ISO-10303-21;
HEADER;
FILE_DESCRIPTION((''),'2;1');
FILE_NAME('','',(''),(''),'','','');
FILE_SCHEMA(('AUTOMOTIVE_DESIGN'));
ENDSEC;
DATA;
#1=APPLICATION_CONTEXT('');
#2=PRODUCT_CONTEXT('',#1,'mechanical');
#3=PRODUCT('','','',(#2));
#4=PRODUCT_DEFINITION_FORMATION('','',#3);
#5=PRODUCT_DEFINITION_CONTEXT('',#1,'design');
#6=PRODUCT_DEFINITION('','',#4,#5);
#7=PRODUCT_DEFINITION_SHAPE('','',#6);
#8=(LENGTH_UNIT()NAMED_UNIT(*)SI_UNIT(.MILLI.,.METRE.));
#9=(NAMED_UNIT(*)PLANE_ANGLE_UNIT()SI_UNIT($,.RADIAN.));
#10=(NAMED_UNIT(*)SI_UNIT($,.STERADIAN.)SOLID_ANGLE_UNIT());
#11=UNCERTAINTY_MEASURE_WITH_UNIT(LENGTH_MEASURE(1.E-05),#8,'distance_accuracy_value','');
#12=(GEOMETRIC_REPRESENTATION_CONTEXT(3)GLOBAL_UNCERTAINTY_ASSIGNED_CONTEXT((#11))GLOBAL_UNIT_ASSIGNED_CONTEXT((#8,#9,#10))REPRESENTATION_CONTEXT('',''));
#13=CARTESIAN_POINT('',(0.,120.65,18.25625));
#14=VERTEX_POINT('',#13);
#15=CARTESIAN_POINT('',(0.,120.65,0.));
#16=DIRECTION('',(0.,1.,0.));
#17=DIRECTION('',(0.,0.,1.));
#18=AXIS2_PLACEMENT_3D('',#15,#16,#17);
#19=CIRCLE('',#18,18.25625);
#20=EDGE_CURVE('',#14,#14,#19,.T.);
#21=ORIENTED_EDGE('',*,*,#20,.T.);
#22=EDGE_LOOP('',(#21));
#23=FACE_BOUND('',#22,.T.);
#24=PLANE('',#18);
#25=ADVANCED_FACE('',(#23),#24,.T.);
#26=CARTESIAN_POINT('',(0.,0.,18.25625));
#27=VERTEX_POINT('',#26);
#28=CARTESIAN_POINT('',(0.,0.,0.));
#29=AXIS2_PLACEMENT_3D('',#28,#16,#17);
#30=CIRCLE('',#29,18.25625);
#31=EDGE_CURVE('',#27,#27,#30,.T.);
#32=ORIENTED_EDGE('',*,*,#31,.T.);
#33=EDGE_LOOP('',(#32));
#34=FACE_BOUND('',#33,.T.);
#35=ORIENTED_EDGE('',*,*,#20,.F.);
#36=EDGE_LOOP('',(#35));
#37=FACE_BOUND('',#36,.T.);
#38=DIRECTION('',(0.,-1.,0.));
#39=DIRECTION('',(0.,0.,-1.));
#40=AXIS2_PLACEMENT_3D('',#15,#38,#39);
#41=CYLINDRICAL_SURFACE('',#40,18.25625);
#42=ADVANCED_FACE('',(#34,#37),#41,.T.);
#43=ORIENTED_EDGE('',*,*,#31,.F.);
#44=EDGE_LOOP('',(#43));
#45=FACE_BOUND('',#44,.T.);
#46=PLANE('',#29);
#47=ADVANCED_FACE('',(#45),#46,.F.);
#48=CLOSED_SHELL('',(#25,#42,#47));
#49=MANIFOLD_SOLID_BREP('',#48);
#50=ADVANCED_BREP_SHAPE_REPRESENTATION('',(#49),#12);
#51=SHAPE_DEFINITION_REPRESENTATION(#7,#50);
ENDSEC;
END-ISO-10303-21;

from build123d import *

# Parameters (mm, degrees)
SKETCH1_R           = 18.25625
BOSS_EXTRUDE1_DEPTH = 120.65


with BuildPart() as part:
    # Sketch1 → Boss-Extrude1 (new body)
    with BuildSketch(Plane(origin=(0, 0, 0), x_dir=(1, 0, 0), z_dir=(0, 1, 0))):
        Circle(SKETCH1_R)
    extrude(amount=BOSS_EXTRUDE1_DEPTH)


solid = part.part
